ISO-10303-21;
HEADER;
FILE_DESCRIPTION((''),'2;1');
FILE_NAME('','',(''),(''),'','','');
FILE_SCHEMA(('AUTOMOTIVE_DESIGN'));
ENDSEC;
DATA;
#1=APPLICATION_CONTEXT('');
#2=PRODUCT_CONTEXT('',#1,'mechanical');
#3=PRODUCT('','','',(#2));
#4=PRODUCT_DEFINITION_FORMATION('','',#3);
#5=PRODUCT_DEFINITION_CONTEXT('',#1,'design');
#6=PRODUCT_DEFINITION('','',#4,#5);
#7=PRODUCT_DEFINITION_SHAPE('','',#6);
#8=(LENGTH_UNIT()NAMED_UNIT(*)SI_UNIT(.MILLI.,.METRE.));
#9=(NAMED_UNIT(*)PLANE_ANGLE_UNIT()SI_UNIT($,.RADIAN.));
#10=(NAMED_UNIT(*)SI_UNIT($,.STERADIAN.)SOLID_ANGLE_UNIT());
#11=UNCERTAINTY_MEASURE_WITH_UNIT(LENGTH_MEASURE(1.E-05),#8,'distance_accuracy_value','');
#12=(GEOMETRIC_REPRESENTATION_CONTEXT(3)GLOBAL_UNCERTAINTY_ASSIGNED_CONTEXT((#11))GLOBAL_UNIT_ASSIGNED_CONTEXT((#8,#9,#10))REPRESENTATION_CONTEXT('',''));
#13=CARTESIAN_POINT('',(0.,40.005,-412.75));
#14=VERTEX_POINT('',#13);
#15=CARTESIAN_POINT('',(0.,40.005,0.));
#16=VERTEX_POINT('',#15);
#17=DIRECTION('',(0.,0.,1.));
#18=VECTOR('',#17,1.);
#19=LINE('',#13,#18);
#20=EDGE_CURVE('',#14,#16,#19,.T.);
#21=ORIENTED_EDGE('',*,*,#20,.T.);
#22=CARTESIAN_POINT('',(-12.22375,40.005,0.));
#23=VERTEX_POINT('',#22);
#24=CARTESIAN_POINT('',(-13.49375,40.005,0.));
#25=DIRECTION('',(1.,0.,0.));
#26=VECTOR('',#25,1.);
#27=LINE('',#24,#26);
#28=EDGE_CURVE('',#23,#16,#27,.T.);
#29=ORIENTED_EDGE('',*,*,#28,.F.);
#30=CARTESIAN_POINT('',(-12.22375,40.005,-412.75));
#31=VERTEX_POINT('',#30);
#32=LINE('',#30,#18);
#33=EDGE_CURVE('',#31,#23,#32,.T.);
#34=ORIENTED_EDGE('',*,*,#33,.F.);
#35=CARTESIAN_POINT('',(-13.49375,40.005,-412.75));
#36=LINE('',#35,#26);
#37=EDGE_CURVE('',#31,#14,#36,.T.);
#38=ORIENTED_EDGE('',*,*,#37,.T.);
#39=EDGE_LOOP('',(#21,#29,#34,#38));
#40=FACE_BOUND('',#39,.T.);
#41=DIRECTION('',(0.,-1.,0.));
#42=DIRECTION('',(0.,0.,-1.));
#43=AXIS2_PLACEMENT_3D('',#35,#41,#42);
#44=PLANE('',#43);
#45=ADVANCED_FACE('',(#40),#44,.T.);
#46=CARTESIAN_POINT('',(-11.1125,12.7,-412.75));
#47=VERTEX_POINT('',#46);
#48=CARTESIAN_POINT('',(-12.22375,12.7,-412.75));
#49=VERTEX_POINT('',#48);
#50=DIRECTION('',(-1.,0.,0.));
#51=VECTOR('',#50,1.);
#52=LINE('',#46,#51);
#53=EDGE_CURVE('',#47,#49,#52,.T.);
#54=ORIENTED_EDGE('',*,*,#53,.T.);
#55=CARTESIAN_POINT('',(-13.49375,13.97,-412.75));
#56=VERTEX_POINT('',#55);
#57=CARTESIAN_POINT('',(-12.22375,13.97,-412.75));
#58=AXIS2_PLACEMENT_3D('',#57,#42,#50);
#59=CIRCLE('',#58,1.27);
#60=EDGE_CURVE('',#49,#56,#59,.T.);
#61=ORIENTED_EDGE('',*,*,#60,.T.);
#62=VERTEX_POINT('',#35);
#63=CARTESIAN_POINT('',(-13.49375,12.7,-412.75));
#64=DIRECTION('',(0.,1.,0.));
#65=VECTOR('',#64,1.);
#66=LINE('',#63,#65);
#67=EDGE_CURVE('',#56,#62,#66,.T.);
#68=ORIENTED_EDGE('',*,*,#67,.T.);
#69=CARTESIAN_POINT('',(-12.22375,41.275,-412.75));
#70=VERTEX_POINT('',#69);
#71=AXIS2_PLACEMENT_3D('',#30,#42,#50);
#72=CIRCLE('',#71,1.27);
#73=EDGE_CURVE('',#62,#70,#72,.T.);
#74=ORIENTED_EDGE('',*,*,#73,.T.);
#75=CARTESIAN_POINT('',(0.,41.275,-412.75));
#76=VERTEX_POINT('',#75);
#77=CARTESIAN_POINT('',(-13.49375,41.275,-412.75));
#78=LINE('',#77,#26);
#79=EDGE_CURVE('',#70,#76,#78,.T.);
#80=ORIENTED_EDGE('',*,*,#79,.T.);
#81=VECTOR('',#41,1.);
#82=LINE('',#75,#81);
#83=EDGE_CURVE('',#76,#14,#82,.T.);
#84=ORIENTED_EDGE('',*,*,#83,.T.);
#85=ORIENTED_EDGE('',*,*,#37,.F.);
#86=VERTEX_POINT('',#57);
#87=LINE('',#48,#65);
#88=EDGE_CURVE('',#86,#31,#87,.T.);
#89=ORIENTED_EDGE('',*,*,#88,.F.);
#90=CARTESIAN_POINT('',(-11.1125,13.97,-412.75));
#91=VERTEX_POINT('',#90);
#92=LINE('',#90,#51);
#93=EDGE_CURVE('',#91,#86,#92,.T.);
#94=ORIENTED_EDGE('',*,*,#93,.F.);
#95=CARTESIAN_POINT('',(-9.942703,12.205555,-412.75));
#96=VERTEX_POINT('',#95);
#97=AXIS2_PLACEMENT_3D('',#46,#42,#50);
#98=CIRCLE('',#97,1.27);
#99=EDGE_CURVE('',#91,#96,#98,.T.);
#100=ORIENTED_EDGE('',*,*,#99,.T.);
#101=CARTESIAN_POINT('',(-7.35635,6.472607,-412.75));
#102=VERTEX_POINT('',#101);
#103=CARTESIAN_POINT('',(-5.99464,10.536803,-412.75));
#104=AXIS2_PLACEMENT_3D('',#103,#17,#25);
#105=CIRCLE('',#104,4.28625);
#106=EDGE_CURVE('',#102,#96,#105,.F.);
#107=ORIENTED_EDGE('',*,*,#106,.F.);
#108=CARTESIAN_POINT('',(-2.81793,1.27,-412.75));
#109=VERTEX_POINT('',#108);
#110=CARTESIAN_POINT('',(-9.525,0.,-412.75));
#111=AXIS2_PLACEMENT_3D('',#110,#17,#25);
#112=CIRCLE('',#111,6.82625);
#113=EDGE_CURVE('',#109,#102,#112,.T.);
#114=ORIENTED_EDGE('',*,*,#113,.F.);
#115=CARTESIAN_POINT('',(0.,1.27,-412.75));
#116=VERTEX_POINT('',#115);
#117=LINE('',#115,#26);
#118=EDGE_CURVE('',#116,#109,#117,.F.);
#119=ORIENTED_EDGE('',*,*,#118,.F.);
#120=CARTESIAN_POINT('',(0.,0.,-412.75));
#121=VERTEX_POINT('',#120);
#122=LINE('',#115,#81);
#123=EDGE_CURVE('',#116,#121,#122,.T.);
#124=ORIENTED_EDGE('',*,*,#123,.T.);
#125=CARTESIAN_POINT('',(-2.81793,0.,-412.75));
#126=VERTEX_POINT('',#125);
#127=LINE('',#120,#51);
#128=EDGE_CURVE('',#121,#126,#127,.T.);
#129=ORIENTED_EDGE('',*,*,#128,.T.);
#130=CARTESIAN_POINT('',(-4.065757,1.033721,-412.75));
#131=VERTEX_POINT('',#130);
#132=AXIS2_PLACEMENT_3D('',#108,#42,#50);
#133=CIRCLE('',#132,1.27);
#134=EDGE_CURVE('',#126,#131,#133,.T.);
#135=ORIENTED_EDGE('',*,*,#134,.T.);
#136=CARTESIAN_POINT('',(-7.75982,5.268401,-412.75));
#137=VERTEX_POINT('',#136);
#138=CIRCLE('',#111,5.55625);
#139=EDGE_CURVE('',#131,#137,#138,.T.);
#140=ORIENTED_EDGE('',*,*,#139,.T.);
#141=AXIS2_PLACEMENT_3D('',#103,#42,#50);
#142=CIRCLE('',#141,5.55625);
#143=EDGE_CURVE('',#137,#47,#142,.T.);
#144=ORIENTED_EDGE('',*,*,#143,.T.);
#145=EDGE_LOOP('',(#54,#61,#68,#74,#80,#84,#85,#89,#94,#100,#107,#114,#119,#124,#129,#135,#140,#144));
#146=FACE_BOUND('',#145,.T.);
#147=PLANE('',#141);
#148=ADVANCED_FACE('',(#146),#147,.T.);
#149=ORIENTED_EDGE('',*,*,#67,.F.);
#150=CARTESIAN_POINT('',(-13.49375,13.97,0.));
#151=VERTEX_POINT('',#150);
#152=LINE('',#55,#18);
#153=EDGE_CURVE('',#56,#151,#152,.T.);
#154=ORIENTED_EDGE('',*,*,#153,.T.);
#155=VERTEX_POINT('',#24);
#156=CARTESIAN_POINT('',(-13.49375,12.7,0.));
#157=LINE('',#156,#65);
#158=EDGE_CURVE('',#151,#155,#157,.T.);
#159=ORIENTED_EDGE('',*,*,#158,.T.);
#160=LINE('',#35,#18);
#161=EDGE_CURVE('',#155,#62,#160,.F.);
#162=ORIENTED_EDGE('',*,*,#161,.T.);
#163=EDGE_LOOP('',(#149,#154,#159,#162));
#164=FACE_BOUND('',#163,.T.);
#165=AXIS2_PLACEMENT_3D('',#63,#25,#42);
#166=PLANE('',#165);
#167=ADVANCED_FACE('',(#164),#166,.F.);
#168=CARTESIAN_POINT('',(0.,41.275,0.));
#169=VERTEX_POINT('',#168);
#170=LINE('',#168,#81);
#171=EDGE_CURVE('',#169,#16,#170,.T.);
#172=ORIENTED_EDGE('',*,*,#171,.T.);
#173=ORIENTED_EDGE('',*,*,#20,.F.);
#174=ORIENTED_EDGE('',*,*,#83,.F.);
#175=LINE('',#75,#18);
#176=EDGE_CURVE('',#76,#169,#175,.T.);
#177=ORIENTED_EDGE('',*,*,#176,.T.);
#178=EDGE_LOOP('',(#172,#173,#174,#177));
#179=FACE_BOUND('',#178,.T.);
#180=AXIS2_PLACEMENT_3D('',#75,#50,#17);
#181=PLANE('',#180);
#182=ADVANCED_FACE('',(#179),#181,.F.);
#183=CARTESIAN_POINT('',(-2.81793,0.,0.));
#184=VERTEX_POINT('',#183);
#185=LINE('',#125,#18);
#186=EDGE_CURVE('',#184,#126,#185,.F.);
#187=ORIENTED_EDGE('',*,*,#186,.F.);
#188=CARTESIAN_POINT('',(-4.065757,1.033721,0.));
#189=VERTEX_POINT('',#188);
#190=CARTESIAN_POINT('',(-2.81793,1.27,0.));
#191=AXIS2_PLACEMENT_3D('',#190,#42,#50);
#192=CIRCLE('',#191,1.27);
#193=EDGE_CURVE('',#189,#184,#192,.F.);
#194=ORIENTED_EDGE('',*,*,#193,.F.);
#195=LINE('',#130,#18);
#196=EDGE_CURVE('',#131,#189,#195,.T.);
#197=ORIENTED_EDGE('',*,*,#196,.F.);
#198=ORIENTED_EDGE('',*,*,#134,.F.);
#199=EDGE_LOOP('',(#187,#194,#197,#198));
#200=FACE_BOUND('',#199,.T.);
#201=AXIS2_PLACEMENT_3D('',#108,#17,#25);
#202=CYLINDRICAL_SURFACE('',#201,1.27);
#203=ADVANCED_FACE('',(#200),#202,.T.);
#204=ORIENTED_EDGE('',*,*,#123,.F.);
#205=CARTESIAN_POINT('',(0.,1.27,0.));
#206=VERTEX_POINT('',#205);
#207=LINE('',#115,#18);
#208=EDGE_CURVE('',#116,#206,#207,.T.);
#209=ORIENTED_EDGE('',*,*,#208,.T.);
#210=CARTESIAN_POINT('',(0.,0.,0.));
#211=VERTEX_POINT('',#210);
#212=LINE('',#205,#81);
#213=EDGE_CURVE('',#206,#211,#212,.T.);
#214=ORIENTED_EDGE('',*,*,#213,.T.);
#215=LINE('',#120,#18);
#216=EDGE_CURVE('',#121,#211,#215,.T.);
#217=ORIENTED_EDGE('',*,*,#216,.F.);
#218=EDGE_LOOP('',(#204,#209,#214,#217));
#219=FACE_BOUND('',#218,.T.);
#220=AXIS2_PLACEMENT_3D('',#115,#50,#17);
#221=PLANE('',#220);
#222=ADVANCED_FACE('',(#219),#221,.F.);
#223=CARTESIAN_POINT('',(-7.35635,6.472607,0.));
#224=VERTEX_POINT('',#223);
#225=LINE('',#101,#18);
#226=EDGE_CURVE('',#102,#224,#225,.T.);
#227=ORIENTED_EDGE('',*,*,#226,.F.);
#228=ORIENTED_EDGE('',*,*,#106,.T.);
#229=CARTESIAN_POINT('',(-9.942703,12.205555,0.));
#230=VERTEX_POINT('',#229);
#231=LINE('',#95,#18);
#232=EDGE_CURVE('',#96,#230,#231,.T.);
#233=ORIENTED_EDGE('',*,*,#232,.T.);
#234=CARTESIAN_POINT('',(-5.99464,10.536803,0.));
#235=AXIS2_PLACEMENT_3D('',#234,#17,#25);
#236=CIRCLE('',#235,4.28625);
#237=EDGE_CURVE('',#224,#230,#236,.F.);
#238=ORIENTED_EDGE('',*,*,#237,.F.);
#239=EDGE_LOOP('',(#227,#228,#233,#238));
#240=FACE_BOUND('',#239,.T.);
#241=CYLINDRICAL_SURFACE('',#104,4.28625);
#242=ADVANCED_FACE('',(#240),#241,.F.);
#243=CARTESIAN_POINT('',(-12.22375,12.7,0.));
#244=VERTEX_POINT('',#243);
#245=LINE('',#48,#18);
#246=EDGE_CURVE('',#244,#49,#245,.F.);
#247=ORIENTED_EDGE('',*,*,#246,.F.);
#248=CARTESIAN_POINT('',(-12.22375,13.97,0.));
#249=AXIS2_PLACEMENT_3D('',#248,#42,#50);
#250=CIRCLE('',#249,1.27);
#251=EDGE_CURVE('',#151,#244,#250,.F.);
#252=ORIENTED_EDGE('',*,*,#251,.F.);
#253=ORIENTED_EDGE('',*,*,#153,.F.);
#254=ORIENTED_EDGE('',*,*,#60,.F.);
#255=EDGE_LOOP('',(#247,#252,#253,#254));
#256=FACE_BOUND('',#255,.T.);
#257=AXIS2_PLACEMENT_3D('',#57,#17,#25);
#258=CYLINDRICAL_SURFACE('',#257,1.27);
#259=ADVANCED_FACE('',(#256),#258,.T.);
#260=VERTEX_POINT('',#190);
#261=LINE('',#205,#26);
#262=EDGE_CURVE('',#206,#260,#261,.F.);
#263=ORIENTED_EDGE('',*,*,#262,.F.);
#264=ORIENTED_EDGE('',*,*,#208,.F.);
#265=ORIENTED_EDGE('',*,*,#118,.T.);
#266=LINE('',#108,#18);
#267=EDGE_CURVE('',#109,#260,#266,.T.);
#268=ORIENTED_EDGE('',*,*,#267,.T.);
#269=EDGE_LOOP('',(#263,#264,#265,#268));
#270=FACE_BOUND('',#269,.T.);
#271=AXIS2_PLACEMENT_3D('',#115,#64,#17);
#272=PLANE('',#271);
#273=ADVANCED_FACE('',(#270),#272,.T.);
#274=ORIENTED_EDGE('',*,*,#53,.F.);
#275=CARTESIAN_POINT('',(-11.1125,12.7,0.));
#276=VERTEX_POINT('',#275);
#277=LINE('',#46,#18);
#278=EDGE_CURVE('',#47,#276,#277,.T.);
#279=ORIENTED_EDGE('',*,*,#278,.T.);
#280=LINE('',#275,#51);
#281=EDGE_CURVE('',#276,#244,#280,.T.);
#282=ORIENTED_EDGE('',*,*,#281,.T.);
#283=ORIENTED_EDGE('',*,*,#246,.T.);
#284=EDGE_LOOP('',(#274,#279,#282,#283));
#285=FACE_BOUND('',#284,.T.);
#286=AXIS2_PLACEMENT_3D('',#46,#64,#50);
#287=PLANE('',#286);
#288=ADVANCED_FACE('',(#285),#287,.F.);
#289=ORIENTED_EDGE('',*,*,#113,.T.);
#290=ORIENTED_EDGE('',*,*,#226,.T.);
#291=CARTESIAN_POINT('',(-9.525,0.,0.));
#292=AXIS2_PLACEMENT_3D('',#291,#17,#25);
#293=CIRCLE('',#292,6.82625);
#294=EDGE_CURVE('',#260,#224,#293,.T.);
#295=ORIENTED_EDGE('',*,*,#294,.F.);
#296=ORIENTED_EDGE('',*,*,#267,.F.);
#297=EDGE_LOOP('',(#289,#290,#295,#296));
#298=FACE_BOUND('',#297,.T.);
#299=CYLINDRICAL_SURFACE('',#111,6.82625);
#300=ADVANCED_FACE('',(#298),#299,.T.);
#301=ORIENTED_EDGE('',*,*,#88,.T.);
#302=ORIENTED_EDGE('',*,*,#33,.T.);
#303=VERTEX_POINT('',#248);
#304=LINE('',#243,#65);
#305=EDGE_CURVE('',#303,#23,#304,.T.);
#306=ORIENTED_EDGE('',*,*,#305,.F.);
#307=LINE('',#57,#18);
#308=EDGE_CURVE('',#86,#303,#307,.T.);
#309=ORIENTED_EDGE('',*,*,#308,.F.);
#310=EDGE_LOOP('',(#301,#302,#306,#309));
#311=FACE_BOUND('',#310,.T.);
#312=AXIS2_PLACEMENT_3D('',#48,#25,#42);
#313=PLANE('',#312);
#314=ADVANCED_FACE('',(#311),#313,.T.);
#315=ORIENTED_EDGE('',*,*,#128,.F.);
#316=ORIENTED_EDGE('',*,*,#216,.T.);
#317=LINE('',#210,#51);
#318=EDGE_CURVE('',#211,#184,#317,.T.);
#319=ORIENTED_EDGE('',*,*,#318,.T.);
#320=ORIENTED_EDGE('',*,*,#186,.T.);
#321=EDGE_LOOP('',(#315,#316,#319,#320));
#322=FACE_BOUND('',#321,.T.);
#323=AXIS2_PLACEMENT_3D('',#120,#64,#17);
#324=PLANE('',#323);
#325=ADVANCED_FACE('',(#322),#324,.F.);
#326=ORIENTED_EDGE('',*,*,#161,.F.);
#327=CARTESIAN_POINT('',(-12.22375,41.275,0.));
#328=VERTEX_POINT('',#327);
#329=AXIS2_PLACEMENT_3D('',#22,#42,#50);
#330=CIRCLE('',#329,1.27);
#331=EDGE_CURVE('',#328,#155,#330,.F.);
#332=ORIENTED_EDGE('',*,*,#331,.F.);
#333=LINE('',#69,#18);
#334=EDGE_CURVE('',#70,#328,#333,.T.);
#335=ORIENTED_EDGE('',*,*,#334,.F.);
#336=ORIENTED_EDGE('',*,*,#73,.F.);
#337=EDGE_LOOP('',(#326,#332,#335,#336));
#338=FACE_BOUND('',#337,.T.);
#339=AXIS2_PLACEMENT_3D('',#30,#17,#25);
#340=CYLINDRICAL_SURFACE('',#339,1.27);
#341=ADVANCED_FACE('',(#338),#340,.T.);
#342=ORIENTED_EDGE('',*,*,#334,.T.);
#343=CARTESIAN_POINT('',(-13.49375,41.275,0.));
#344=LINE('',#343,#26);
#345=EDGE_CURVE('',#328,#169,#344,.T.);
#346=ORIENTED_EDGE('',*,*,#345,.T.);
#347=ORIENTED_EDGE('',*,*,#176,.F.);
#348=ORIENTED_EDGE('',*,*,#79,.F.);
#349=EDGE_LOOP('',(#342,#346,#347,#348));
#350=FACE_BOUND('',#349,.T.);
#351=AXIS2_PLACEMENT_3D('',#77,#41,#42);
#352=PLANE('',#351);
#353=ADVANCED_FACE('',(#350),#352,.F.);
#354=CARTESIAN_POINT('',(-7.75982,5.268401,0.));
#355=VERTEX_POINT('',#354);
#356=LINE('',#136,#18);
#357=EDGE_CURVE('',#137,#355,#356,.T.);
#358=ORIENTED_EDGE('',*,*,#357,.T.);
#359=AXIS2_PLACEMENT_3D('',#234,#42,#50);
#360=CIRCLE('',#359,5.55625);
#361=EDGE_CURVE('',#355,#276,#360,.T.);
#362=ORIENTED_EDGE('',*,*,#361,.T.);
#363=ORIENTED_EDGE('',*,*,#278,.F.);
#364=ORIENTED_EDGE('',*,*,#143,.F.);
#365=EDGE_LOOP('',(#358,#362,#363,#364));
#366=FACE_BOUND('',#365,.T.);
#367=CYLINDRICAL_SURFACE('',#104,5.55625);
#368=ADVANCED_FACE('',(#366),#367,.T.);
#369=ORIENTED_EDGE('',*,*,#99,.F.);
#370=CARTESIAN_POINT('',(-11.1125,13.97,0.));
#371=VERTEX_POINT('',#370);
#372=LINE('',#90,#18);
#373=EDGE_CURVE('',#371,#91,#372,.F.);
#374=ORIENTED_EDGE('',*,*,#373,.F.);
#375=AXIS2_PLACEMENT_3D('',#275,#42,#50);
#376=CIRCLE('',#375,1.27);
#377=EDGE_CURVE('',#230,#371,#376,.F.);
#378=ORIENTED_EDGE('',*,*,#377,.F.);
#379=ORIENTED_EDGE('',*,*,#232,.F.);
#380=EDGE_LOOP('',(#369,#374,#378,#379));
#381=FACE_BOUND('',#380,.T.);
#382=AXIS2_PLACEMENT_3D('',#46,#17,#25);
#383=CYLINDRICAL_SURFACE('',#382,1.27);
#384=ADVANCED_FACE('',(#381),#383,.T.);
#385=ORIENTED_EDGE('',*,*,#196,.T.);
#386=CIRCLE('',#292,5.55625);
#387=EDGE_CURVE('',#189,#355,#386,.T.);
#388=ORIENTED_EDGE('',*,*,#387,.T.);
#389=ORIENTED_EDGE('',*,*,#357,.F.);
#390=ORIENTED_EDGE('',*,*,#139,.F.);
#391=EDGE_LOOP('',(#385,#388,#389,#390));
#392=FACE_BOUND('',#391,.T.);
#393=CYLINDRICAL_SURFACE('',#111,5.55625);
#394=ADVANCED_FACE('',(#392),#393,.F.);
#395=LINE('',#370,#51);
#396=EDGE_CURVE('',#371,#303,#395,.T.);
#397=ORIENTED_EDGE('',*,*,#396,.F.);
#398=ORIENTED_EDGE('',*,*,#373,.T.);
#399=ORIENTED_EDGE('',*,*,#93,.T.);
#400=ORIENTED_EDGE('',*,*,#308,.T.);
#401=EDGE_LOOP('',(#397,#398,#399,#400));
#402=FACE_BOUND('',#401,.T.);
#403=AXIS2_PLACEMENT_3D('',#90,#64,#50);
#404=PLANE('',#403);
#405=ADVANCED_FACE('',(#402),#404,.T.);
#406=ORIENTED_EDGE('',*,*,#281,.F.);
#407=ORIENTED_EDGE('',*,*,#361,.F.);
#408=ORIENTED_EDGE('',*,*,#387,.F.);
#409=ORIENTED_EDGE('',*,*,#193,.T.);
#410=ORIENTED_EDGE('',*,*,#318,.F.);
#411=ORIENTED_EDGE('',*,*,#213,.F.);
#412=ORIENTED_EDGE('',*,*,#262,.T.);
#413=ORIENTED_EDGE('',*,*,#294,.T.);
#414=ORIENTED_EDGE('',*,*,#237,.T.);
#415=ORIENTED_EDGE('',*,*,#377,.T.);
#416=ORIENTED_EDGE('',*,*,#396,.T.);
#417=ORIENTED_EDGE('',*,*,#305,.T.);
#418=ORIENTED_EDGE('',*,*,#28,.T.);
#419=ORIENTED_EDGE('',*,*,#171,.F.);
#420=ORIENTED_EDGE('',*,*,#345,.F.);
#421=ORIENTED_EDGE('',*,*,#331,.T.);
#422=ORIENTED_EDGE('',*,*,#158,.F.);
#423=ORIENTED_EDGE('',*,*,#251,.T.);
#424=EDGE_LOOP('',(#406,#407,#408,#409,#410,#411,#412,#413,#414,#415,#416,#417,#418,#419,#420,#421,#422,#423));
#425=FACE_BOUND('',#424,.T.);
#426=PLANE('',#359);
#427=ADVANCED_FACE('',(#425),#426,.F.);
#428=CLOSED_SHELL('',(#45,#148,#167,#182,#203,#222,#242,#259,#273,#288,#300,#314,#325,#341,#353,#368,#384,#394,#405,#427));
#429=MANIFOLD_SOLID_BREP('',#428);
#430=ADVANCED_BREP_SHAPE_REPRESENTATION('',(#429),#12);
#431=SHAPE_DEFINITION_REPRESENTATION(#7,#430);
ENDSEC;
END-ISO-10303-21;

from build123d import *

# Parameters (mm, degrees)
EXTRUDE_THIN1_DEPTH = 412.75
FILLET1_R           = 1.27


with BuildPart() as part:
    # Sketch1 → Extrude-Thin1 (new body)
    with BuildSketch(Plane.XY):
        with BuildLine():
            Line((0, 0), (-3.96875, 0))
            ThreePointArc((-3.96875, 0), (-5.015027953, 3.245314499), (-7.759819948, 5.268401413))
            ThreePointArc((-7.759819948, 5.268401413), (-11.059343721, 8.251920066), (-11.1125, 12.7))
            Line((-11.1125, 12.7), (-13.49375, 12.7))
            Line((-13.49375, 12.7), (-13.49375, 41.275))
            Line((-13.49375, 41.275), (0, 41.275))
            Line((0, 41.275), (0, 40.005))
            Line((0, 40.005), (-12.22375, 40.005))
            Line((-12.22375, 40.005), (-12.22375, 13.97))
            Line((-12.22375, 13.97), (-8.560784129, 13.97))
            ThreePointArc((-8.560784129, 13.97), (-10.226629277, 9.856946266), (-7.356350222, 6.47260745))
            ThreePointArc((-7.356350222, 6.47260745), (-4.380937226, 4.48734969), (-2.81792992, 1.27))
            Line((-2.81792992, 1.27), (0, 1.27))
            Line((0, 1.27), (0, 0))
        make_face()
    extrude(amount=-EXTRUDE_THIN1_DEPTH)

    # Fillet1
    fillet1_edges = [part.edges().sort_by_distance(p)[0] for p in [
        (-8.560784129, 13.97, -206.375),
        (-3.96875, 0, -206.375),
        (-13.49375, 12.7, -206.375),
        (-13.49375, 41.275, -206.375),
    ]]
    fillet(fillet1_edges, radius=FILLET1_R)


solid = part.part
